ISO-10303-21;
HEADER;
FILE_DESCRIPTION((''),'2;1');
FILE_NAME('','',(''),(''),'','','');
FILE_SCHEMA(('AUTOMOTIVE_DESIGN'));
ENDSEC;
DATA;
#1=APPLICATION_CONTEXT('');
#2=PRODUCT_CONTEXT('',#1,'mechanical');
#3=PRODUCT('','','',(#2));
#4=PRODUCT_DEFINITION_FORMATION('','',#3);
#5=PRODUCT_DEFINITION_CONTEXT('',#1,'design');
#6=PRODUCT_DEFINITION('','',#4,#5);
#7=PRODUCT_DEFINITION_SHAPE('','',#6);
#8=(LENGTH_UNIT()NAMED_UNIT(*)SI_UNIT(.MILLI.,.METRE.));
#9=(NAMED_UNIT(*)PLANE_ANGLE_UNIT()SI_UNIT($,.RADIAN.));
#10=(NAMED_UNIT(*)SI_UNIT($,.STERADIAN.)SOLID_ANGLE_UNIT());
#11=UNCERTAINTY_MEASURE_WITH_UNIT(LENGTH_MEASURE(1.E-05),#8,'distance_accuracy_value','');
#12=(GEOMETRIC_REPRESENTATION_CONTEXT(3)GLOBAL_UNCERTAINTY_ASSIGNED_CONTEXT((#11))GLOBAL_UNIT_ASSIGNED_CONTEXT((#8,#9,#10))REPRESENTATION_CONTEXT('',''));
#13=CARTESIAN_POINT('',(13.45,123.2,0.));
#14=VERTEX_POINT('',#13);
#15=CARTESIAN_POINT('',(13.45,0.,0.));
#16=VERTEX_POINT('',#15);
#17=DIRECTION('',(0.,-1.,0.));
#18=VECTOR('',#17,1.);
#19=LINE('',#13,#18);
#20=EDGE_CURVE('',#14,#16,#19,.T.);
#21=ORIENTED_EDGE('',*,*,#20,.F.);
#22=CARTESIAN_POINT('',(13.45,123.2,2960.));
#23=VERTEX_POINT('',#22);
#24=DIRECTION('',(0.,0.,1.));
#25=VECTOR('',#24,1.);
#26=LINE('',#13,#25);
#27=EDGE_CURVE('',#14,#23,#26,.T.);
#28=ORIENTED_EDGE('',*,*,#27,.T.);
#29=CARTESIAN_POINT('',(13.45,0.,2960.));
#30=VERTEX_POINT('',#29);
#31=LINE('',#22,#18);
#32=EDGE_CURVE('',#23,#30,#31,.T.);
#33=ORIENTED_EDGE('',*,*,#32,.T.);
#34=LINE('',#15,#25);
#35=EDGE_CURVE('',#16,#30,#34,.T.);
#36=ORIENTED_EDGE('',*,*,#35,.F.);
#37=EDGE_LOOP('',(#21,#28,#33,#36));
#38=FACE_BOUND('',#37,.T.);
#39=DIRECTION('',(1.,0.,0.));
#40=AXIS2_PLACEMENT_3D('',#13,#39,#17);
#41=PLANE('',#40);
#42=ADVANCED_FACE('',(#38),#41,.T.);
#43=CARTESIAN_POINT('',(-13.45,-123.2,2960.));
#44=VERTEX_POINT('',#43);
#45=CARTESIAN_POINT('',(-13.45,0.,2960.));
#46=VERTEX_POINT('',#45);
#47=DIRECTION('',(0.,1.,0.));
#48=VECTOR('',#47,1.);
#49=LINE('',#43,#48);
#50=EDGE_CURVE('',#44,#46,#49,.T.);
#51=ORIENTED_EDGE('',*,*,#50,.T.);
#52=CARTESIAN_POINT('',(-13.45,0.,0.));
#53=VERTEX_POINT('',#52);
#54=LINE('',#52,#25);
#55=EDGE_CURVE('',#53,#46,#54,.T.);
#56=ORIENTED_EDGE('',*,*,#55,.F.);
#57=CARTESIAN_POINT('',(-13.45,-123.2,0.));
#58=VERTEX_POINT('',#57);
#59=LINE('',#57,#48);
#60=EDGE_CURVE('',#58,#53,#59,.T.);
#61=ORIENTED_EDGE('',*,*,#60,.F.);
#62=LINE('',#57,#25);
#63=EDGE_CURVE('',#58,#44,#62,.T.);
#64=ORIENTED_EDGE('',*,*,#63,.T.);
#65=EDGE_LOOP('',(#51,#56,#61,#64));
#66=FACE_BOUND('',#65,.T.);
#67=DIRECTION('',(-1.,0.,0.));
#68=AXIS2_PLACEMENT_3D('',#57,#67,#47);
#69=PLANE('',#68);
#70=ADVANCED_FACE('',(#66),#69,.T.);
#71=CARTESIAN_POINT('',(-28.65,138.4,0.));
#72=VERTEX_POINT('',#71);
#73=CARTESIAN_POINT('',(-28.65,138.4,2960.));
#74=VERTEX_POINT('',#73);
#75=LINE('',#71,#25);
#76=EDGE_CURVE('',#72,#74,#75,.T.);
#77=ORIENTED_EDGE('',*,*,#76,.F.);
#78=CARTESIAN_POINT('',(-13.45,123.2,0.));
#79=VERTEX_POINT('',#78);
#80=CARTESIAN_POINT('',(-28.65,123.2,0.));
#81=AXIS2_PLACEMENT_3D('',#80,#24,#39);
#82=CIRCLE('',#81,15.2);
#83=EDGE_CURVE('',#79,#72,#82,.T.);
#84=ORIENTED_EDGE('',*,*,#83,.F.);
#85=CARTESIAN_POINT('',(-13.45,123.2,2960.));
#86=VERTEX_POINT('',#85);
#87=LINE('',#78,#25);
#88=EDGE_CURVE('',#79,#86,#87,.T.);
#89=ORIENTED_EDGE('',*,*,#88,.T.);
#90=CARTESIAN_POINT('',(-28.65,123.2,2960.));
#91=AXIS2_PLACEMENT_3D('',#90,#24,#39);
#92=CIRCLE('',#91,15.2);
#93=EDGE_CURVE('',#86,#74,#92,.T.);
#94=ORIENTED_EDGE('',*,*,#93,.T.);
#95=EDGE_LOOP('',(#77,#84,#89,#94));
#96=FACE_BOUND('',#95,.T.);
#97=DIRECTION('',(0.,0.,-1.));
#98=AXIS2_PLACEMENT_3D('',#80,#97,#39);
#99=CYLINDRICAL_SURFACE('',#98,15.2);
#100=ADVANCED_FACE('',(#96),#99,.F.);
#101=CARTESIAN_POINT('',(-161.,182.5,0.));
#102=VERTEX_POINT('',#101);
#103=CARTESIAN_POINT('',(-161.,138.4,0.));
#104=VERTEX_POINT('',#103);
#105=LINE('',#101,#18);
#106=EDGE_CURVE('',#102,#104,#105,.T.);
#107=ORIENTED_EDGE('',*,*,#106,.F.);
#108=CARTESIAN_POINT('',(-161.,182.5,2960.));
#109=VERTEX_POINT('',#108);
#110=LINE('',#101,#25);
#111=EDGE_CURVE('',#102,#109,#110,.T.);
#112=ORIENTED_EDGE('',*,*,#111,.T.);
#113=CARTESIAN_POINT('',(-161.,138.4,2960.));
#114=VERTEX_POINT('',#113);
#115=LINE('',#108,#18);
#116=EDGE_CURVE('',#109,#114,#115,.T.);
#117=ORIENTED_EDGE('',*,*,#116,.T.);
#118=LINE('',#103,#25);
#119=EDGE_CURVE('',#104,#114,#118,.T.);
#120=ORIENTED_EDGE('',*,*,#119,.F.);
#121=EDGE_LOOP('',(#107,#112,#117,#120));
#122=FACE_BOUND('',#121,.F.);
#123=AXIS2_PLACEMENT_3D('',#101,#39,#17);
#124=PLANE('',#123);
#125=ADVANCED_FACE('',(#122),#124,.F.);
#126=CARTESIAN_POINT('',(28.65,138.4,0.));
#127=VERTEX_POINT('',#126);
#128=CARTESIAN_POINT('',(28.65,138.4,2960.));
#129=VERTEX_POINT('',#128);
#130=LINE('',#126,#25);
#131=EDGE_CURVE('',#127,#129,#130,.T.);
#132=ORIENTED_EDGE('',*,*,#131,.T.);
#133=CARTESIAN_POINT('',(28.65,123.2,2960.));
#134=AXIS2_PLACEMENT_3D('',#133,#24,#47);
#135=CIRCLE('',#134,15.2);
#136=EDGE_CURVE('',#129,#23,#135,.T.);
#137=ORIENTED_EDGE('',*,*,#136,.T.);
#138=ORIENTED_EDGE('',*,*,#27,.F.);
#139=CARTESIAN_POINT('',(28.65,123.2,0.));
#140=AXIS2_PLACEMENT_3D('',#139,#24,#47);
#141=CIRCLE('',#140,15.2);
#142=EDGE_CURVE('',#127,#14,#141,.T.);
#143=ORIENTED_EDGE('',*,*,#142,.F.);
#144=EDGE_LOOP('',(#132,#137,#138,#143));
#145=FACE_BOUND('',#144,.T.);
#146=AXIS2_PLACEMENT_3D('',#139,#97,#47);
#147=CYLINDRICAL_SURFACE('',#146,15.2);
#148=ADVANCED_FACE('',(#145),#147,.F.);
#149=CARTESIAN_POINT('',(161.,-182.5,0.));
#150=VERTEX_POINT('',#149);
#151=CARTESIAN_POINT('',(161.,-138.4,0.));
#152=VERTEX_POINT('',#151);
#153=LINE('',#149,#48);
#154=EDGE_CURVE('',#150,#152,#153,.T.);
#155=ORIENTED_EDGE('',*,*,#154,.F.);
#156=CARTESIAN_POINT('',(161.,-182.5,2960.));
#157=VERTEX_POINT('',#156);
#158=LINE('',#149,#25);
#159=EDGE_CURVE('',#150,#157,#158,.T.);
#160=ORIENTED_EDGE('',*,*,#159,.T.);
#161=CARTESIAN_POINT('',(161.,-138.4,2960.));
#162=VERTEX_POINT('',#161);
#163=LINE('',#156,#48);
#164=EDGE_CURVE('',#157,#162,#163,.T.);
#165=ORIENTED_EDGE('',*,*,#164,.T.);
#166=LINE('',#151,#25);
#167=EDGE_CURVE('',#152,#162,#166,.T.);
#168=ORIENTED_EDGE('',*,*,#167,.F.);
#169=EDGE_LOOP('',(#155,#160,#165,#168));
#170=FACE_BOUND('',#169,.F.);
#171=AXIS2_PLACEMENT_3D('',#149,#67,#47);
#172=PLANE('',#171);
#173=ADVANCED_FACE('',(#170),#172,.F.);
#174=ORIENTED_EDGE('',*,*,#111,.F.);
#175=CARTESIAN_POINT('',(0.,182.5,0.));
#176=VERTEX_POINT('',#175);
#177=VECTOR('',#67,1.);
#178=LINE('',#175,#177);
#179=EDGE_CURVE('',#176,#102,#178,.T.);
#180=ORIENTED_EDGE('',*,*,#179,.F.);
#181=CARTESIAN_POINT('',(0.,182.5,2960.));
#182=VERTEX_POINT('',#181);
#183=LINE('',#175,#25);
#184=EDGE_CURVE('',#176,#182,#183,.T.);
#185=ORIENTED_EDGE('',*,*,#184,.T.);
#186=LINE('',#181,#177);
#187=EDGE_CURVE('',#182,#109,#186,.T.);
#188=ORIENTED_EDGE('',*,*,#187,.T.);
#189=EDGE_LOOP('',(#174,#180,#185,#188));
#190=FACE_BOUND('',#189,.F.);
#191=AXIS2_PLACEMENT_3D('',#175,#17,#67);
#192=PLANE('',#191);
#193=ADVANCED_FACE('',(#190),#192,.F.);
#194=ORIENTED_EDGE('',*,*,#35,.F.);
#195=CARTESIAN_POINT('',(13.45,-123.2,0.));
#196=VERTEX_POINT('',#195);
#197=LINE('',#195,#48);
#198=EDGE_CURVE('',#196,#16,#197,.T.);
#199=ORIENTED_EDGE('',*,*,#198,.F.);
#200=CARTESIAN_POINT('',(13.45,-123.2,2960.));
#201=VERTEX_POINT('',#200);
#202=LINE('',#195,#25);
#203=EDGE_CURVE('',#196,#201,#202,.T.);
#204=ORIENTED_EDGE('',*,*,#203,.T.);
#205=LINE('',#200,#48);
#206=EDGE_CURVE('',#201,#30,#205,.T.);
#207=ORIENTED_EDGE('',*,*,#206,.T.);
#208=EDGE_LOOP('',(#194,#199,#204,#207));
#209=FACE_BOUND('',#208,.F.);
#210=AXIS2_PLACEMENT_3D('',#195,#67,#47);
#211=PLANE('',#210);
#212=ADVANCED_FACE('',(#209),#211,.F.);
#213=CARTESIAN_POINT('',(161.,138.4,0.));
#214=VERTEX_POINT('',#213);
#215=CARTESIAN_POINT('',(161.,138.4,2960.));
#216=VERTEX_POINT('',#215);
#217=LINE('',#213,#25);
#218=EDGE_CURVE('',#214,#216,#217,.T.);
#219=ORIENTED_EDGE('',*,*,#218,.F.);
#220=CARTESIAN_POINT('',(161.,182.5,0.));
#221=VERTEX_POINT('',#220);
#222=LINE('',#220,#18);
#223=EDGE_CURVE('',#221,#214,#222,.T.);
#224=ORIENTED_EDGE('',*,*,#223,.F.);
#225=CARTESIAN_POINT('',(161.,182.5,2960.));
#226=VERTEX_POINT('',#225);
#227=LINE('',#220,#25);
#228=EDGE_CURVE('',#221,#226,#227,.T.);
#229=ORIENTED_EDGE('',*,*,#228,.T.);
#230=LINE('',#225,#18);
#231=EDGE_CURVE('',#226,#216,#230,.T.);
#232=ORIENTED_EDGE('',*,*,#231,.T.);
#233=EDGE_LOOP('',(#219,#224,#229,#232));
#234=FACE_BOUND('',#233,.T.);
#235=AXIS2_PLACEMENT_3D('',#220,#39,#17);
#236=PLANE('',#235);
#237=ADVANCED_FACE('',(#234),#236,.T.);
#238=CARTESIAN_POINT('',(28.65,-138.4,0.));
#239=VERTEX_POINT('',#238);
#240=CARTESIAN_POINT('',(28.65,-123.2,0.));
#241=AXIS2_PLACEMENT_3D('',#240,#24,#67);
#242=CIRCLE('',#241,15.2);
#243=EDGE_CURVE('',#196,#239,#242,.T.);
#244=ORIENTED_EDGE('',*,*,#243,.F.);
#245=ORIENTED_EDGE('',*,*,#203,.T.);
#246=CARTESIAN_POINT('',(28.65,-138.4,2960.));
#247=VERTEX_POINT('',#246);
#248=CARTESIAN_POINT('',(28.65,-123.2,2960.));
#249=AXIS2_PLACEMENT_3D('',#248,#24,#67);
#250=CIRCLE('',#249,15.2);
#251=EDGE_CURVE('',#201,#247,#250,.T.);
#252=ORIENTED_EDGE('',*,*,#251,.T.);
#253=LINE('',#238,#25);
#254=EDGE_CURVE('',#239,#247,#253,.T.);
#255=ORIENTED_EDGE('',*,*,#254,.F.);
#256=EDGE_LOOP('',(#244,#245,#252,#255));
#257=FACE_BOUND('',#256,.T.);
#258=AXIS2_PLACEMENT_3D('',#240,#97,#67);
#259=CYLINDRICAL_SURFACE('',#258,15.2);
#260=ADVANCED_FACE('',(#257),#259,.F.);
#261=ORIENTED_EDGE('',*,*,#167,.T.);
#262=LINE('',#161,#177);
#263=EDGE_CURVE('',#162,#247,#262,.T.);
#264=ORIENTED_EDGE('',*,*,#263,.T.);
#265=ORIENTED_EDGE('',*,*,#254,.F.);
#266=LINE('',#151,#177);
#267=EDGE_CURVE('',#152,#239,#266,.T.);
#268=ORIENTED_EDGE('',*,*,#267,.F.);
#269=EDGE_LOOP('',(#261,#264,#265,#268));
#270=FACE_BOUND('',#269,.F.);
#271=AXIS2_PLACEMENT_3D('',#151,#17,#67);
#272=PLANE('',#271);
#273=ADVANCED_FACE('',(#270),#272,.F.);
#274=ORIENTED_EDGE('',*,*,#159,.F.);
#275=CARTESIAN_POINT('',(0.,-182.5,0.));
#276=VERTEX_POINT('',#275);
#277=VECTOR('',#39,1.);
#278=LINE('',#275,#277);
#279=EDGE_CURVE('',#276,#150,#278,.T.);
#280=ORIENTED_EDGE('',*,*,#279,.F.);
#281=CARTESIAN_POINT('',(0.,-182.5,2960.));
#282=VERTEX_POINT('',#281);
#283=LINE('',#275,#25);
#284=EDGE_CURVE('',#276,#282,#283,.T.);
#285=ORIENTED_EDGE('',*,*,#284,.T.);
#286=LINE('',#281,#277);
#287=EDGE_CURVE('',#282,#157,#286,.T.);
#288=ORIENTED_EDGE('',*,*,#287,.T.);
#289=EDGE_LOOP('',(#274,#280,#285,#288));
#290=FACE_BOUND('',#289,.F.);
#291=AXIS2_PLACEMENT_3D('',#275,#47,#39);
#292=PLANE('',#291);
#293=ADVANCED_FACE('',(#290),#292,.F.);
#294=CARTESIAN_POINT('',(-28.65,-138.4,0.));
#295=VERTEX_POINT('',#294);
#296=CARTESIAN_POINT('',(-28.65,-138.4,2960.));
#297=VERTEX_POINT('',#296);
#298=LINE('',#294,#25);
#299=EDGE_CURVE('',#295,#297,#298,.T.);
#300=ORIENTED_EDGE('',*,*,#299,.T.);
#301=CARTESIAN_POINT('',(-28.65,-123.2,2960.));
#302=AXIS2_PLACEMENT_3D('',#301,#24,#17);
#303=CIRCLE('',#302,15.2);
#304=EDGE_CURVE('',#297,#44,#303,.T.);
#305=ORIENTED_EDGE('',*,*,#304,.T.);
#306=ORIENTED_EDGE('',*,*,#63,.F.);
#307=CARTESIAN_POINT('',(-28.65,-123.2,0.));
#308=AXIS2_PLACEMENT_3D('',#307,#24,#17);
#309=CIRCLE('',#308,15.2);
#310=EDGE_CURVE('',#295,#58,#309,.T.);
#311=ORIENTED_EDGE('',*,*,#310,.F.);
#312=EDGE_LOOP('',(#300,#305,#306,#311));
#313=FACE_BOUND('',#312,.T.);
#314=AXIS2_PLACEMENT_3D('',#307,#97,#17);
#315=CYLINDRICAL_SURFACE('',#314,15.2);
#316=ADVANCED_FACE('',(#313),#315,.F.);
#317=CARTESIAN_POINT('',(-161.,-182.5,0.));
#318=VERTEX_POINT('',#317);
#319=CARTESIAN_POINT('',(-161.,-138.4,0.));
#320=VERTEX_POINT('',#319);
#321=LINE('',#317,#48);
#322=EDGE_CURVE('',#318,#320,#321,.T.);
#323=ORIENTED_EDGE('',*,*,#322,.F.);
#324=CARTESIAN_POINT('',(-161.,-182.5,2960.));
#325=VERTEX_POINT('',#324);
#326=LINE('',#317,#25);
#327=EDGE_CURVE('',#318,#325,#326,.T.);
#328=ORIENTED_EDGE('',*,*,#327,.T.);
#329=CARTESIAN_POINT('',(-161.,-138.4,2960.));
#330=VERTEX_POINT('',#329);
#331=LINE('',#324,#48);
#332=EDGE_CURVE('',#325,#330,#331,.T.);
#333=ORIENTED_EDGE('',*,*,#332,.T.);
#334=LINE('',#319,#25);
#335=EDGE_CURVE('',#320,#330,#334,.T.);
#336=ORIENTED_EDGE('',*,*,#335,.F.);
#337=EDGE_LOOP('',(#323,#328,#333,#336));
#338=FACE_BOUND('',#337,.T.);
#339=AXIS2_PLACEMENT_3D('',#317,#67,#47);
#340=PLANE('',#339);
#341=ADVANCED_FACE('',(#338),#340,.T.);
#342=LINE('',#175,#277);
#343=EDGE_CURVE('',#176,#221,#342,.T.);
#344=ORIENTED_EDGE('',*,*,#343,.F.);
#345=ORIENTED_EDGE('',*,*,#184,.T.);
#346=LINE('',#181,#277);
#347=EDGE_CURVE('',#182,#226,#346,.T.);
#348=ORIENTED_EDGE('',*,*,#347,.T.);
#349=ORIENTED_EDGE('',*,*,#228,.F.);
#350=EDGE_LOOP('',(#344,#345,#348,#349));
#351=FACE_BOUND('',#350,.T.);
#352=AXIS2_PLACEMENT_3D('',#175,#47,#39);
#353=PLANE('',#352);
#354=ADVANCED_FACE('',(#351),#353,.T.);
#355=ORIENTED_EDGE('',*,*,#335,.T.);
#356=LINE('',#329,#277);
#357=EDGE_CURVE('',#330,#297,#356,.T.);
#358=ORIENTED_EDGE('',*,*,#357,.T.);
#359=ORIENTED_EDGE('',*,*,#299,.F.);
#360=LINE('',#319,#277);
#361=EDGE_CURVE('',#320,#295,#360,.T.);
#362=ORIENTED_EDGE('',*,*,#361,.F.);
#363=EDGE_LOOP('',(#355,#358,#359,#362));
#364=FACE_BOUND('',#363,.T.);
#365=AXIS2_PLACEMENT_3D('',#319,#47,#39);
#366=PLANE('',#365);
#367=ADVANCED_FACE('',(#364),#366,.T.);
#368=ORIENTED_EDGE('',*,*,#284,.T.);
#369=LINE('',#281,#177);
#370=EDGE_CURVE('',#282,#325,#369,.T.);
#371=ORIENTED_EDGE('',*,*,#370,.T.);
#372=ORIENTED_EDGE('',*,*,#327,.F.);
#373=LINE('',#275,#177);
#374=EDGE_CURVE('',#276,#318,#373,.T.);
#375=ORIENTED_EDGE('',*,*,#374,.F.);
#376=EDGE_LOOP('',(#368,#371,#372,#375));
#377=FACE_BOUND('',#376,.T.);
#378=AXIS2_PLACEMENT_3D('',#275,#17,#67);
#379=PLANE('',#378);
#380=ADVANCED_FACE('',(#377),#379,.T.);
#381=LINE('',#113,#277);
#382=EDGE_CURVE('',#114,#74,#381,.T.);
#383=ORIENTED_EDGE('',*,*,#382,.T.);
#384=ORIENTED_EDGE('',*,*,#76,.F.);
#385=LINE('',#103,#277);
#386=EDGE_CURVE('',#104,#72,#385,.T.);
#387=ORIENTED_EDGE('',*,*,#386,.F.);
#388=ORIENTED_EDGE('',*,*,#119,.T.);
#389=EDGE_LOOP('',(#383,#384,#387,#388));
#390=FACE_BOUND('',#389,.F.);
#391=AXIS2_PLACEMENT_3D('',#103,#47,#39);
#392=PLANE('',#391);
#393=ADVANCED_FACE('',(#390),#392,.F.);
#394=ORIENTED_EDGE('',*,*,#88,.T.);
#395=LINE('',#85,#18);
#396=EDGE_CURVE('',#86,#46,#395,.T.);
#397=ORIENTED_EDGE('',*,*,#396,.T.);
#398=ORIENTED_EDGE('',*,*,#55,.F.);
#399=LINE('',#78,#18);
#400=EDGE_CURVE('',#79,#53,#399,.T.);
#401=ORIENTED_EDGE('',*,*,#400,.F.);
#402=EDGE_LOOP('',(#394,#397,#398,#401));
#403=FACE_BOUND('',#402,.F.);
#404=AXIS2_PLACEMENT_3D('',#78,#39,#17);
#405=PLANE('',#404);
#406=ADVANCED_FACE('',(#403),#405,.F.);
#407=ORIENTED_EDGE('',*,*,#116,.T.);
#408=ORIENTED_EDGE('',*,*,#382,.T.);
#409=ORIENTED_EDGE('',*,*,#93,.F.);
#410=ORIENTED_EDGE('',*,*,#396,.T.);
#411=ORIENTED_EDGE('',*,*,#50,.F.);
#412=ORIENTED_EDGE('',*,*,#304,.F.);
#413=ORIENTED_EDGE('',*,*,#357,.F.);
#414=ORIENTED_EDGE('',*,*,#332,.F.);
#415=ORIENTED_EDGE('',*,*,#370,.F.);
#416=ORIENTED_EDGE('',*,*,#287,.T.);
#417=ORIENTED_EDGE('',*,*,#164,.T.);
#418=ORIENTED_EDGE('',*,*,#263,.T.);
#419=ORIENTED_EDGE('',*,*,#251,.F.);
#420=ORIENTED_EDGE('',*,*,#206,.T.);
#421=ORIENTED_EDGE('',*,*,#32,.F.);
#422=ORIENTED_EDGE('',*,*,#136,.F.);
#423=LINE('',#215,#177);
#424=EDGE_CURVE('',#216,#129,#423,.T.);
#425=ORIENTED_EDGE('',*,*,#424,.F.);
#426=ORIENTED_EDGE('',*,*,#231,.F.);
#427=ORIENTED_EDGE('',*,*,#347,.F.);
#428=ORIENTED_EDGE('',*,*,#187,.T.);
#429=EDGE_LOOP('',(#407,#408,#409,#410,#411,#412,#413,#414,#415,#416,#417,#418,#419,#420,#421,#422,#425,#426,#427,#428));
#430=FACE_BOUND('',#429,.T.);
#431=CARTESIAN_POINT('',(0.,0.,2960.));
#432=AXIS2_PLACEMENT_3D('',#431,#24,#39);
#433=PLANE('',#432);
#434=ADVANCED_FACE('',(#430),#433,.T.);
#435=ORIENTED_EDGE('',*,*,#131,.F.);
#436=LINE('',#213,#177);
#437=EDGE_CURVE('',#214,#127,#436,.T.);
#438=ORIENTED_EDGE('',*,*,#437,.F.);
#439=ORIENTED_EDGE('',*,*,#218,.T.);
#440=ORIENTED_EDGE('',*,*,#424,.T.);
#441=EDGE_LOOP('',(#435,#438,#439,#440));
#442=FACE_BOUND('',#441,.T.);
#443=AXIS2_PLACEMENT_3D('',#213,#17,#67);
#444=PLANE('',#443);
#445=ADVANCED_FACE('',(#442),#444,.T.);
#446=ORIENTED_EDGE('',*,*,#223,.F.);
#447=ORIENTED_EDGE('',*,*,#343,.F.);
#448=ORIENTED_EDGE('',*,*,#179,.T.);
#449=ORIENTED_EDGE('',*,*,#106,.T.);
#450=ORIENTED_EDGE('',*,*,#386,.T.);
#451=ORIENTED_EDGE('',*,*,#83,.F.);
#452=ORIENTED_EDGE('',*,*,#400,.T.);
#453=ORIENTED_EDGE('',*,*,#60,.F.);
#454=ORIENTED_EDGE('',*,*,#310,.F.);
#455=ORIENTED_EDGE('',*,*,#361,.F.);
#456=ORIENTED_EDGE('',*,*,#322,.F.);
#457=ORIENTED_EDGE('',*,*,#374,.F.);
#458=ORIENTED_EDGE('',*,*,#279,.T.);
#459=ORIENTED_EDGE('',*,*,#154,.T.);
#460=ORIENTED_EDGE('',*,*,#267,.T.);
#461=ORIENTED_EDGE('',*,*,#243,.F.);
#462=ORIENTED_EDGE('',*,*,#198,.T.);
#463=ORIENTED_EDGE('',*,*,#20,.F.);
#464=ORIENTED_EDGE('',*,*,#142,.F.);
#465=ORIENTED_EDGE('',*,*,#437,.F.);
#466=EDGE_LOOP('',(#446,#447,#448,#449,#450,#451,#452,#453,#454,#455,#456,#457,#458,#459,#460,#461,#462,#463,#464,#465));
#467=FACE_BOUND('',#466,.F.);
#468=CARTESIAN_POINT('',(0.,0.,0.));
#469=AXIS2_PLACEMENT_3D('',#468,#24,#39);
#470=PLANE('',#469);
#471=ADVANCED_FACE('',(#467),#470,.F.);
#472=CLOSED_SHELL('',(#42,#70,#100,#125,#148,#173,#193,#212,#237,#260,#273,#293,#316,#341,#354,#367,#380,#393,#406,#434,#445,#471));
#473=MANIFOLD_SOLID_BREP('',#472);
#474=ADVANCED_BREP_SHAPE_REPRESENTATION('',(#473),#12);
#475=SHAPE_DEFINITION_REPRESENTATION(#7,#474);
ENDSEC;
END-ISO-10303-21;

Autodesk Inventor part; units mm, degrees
ref_plane "YZ Plane" through (0, 0, 0) normal (1, 0, 0) x (0, 1, 0)
ref_plane "Start plane" through (0, 0, 0) normal (0, 0, 1) x (1, 0, 0)
ref_plane "End plane" through (0, 0, 2960) normal (0, 0, 1) x (1, 0, 0)
sketch "Sketch" plane through (0, 0, 0) normal (0, 0, 1) x (1, 0, 0)
  line L0 (-161, -182.5) -> (-161, -138.4)
  line L1 (-161, -138.4) -> (-28.65, -138.4)
  line L2 (-13.45, -123.2) -> (-13.45, 0)
  line L3 (-13.45, 0) -> (0, 0) construction
  line L4 (0, 0) -> (0, -182.5) construction
  line L5 (0, -182.5) -> (-161, -182.5)
  line L6 (-60, 0) -> (80, 0) construction
  line L7 (0, -60) -> (0, 80) construction
  line L8 (161, -182.5) -> (161, -138.4)
  line L9 (161, -138.4) -> (28.65, -138.4)
  line L10 (13.45, -123.2) -> (13.45, 0)
  line L11 (13.45, 0) -> (0, 0) construction
  line L12 (0, -182.5) -> (161, -182.5)
  line L13 (-161, 182.5) -> (-161, 138.4)
  line L14 (-161, 138.4) -> (-28.65, 138.4)
  line L15 (-13.45, 123.2) -> (-13.45, 0)
  line L16 (0, 182.5) -> (-161, 182.5)
  line L17 (161, 182.5) -> (161, 138.4)
  line L18 (161, 138.4) -> (28.65, 138.4)
  line L19 (0, 182.5) -> (161, 182.5)
  line L20 (13.45, 123.2) -> (13.45, 0)
  arc A0 (-13.45, 123.2) -> (-28.65, 138.4) centre (-28.65, 123.2) ccw
  arc A1 (28.65, 138.4) -> (13.45, 123.2) centre (28.65, 123.2) ccw
  arc A2 (13.45, -123.2) -> (28.65, -138.4) centre (28.65, -123.2) ccw
  arc A3 (-28.65, -138.4) -> (-13.45, -123.2) centre (-28.65, -123.2) ccw
  line L21 (0, 108) -> (0, -88) construction
  line L22 (-88, 0) -> (108, 0) construction
  point P0 (-13.45, -138.4)
  point P1 (13.45, -138.4)
  point P2 (-13.45, 138.4)
  point P3 (13.45, 138.4)
  dimension "d1" = 182.5
  dimension "d2" = 44.1
  dimension "d3" = 161
  dimension "d4" = 13.45
  dimension "d10" = 15.2
extrude "Body" add sketch "Sketch" along normal up to surface (2960 mm away) from surface at 0
sketch "Sketch4" plane through (0, 0, 0) normal (0, 0, 1) x (1, 0, 0)
  line L0 (0, 0) -> (10, 0)
ref_plane "Work Plane3" through (0, 0, 0) normal (0, -1, 0) x (1, 0, 0)
sketch "Sketch5" plane through (0, 0, 0) normal (0, -1, 0) x (1, 0, 0)
  line L0 (-2, 0) -> (12, 0) projected
  line L1 (-2, 2960) -> (12, 2960) projected
  dimension "d14" = 2960
equation "\"d1\" = 0.5 * G_H"
equation "\"d2\" = G_T1"
equation "\"d3\" = 0.5 * G_W"
equation "\"d4\" = 0.5 * G_T"
equation "\"d10\" = G_IR"
equation "\"d5\" = G_L"
equation "\"G_W\" = 322"
equation "\"G_H\" = 365"
equation "\"G_T\" = 26.9"
equation "\"G_T1\" = 44.1"
equation "\"G_IR\" = 15.2"
equation "\"G_L\" = d14"
equation "\"G_OFFSET_START\" = 0"
equation "\"G_OFFSET_END\" = 0"
properties part number "AS 3679 - 310 UC - 283 - 2960" material "Steel, Mild"
